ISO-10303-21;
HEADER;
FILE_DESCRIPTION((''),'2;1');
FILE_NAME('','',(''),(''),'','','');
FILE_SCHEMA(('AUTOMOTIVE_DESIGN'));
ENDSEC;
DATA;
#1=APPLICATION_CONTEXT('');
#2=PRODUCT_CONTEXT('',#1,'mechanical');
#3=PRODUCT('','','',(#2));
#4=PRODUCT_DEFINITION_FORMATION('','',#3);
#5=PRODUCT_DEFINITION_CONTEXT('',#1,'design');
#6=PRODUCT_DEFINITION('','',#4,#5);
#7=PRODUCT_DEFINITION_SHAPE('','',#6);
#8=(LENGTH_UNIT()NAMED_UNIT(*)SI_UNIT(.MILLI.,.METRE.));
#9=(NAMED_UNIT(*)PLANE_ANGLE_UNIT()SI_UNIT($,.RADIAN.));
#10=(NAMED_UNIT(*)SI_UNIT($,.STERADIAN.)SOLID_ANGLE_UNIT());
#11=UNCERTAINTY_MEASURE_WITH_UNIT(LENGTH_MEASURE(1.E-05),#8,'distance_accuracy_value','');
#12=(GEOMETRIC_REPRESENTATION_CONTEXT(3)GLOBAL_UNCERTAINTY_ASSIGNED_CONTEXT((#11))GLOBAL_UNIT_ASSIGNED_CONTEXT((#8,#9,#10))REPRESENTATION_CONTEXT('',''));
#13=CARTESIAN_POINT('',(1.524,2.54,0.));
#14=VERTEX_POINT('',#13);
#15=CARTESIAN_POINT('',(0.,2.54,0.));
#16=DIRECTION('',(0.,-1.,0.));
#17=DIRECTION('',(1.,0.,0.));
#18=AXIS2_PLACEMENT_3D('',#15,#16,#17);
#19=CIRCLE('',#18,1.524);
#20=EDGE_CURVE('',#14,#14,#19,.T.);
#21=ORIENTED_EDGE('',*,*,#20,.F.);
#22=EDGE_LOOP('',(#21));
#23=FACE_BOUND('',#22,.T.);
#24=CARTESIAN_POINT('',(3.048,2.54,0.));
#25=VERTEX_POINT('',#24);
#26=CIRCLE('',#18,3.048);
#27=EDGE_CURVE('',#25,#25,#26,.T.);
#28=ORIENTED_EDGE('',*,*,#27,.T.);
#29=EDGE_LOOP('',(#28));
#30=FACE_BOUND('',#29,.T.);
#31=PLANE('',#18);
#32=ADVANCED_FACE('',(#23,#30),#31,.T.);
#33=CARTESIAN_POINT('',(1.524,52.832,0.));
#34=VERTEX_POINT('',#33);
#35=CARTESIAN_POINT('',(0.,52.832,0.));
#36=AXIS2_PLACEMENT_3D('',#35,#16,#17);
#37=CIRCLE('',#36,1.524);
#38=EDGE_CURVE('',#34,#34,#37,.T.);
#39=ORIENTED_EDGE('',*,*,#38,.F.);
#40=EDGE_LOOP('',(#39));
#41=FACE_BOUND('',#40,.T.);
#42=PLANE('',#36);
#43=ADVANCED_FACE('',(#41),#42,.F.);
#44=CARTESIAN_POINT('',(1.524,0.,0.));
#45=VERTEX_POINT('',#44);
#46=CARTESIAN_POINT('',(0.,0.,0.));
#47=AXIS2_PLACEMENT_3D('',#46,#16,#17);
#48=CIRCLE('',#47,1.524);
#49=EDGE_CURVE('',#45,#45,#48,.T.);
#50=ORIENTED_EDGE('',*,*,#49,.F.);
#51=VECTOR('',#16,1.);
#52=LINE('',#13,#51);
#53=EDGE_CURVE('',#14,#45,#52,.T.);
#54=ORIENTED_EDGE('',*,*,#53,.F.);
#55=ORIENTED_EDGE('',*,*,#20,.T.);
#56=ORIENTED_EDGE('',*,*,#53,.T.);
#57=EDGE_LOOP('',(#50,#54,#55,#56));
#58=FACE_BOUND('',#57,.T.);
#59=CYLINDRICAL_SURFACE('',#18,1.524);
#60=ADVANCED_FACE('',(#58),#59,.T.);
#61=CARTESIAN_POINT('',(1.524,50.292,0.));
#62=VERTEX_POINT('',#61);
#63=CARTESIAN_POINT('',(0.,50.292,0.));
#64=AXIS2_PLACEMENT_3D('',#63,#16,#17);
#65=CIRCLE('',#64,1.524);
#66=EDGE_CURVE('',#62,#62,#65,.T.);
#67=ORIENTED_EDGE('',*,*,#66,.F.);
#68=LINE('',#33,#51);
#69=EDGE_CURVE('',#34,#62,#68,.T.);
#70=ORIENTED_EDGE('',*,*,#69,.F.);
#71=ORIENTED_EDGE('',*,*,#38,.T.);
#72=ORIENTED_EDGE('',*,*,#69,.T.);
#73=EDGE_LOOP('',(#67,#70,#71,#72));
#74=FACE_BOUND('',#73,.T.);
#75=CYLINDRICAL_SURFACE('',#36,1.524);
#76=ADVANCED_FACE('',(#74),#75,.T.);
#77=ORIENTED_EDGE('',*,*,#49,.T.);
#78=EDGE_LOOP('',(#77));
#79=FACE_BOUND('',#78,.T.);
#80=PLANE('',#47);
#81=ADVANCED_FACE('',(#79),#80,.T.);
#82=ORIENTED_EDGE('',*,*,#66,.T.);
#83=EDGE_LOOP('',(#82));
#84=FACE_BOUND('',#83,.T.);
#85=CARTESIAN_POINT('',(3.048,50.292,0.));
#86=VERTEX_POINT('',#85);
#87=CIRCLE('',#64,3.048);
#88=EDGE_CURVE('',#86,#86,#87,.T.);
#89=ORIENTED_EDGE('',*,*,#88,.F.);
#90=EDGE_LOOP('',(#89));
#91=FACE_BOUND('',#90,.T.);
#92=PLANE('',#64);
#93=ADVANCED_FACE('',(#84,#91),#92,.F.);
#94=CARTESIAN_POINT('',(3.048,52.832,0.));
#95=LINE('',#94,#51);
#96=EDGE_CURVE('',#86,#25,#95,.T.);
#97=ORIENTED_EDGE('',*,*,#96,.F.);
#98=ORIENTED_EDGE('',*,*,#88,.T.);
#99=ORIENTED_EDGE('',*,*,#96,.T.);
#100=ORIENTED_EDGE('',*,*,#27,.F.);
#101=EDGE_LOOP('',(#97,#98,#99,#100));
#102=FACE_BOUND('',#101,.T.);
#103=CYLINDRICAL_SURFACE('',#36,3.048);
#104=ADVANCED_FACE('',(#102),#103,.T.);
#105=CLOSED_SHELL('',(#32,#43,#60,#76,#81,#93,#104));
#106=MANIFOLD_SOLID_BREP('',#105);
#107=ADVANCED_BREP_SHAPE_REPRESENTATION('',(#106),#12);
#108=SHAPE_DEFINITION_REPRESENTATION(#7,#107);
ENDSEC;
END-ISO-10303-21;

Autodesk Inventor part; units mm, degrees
sketch "Sketch_1" plane through (0, 0, 0) normal (0, 0, 1) x (1, 0, 0)
  line L0 (0, 0) -> (0, 52.832)
  line L1 (0, 52.832) -> (3.048, 52.832)
  line L2 (3.048, 52.832) -> (3.048, 0)
  line L3 (3.048, 0) -> (0, 0)
  line L4 (0, 0) -> (0, 52.832)
revolve "Revolution1" add sketch "Sketch_1" angle 360 about axis through (0, 0, 0) along (0, -1, 0)
sketch "Sketch_3" plane through (0, 0, 0) normal (0, 0, 1) x (1, 0, 0)
  line L0 (0, 0) -> (0, 2.54)
  line L1 (1.524, 0) -> (3.048, 0)
  line L2 (3.048, 0) -> (3.048, 2.54)
  line L3 (3.048, 2.54) -> (1.524, 2.54)
  line L4 (1.524, 2.54) -> (1.524, 0)
revolve "Revolution2" cut sketch "Sketch_3" angle 360 about axis through (0, 0, 0) along (0, -1, 0)
sketch "Sketch_4" plane through (0, 0, 0) normal (0, 0, 1) x (1, 0, 0)
  line L0 (0, 50.292) -> (0, 52.832)
  line L1 (1.524, 52.832) -> (1.524, 50.292)
  line L2 (1.524, 50.292) -> (3.048, 50.292)
  line L3 (3.048, 50.292) -> (3.048, 52.832)
  line L4 (3.048, 52.832) -> (1.524, 52.832)
revolve "Revolution3" cut sketch "Sketch_4" angle 360 about axis through (0, 50.292, 0) along (0, -1, 0)
ref_plane "additional_rod_XY" through (0, 0, 0) normal (0, 1, 0) x (1, 0, 0)
ref_plane "additional_rod_YZ" through (0, 0, 0) normal (1, 0, 0) x (0, 0, -1)
ref_plane "additional_rod_ZX" through (0, 0, 0) normal (0, 0, -1) x (0, 1, 0)
properties part number "022.08-FO1_BM_r" material "Steel"
